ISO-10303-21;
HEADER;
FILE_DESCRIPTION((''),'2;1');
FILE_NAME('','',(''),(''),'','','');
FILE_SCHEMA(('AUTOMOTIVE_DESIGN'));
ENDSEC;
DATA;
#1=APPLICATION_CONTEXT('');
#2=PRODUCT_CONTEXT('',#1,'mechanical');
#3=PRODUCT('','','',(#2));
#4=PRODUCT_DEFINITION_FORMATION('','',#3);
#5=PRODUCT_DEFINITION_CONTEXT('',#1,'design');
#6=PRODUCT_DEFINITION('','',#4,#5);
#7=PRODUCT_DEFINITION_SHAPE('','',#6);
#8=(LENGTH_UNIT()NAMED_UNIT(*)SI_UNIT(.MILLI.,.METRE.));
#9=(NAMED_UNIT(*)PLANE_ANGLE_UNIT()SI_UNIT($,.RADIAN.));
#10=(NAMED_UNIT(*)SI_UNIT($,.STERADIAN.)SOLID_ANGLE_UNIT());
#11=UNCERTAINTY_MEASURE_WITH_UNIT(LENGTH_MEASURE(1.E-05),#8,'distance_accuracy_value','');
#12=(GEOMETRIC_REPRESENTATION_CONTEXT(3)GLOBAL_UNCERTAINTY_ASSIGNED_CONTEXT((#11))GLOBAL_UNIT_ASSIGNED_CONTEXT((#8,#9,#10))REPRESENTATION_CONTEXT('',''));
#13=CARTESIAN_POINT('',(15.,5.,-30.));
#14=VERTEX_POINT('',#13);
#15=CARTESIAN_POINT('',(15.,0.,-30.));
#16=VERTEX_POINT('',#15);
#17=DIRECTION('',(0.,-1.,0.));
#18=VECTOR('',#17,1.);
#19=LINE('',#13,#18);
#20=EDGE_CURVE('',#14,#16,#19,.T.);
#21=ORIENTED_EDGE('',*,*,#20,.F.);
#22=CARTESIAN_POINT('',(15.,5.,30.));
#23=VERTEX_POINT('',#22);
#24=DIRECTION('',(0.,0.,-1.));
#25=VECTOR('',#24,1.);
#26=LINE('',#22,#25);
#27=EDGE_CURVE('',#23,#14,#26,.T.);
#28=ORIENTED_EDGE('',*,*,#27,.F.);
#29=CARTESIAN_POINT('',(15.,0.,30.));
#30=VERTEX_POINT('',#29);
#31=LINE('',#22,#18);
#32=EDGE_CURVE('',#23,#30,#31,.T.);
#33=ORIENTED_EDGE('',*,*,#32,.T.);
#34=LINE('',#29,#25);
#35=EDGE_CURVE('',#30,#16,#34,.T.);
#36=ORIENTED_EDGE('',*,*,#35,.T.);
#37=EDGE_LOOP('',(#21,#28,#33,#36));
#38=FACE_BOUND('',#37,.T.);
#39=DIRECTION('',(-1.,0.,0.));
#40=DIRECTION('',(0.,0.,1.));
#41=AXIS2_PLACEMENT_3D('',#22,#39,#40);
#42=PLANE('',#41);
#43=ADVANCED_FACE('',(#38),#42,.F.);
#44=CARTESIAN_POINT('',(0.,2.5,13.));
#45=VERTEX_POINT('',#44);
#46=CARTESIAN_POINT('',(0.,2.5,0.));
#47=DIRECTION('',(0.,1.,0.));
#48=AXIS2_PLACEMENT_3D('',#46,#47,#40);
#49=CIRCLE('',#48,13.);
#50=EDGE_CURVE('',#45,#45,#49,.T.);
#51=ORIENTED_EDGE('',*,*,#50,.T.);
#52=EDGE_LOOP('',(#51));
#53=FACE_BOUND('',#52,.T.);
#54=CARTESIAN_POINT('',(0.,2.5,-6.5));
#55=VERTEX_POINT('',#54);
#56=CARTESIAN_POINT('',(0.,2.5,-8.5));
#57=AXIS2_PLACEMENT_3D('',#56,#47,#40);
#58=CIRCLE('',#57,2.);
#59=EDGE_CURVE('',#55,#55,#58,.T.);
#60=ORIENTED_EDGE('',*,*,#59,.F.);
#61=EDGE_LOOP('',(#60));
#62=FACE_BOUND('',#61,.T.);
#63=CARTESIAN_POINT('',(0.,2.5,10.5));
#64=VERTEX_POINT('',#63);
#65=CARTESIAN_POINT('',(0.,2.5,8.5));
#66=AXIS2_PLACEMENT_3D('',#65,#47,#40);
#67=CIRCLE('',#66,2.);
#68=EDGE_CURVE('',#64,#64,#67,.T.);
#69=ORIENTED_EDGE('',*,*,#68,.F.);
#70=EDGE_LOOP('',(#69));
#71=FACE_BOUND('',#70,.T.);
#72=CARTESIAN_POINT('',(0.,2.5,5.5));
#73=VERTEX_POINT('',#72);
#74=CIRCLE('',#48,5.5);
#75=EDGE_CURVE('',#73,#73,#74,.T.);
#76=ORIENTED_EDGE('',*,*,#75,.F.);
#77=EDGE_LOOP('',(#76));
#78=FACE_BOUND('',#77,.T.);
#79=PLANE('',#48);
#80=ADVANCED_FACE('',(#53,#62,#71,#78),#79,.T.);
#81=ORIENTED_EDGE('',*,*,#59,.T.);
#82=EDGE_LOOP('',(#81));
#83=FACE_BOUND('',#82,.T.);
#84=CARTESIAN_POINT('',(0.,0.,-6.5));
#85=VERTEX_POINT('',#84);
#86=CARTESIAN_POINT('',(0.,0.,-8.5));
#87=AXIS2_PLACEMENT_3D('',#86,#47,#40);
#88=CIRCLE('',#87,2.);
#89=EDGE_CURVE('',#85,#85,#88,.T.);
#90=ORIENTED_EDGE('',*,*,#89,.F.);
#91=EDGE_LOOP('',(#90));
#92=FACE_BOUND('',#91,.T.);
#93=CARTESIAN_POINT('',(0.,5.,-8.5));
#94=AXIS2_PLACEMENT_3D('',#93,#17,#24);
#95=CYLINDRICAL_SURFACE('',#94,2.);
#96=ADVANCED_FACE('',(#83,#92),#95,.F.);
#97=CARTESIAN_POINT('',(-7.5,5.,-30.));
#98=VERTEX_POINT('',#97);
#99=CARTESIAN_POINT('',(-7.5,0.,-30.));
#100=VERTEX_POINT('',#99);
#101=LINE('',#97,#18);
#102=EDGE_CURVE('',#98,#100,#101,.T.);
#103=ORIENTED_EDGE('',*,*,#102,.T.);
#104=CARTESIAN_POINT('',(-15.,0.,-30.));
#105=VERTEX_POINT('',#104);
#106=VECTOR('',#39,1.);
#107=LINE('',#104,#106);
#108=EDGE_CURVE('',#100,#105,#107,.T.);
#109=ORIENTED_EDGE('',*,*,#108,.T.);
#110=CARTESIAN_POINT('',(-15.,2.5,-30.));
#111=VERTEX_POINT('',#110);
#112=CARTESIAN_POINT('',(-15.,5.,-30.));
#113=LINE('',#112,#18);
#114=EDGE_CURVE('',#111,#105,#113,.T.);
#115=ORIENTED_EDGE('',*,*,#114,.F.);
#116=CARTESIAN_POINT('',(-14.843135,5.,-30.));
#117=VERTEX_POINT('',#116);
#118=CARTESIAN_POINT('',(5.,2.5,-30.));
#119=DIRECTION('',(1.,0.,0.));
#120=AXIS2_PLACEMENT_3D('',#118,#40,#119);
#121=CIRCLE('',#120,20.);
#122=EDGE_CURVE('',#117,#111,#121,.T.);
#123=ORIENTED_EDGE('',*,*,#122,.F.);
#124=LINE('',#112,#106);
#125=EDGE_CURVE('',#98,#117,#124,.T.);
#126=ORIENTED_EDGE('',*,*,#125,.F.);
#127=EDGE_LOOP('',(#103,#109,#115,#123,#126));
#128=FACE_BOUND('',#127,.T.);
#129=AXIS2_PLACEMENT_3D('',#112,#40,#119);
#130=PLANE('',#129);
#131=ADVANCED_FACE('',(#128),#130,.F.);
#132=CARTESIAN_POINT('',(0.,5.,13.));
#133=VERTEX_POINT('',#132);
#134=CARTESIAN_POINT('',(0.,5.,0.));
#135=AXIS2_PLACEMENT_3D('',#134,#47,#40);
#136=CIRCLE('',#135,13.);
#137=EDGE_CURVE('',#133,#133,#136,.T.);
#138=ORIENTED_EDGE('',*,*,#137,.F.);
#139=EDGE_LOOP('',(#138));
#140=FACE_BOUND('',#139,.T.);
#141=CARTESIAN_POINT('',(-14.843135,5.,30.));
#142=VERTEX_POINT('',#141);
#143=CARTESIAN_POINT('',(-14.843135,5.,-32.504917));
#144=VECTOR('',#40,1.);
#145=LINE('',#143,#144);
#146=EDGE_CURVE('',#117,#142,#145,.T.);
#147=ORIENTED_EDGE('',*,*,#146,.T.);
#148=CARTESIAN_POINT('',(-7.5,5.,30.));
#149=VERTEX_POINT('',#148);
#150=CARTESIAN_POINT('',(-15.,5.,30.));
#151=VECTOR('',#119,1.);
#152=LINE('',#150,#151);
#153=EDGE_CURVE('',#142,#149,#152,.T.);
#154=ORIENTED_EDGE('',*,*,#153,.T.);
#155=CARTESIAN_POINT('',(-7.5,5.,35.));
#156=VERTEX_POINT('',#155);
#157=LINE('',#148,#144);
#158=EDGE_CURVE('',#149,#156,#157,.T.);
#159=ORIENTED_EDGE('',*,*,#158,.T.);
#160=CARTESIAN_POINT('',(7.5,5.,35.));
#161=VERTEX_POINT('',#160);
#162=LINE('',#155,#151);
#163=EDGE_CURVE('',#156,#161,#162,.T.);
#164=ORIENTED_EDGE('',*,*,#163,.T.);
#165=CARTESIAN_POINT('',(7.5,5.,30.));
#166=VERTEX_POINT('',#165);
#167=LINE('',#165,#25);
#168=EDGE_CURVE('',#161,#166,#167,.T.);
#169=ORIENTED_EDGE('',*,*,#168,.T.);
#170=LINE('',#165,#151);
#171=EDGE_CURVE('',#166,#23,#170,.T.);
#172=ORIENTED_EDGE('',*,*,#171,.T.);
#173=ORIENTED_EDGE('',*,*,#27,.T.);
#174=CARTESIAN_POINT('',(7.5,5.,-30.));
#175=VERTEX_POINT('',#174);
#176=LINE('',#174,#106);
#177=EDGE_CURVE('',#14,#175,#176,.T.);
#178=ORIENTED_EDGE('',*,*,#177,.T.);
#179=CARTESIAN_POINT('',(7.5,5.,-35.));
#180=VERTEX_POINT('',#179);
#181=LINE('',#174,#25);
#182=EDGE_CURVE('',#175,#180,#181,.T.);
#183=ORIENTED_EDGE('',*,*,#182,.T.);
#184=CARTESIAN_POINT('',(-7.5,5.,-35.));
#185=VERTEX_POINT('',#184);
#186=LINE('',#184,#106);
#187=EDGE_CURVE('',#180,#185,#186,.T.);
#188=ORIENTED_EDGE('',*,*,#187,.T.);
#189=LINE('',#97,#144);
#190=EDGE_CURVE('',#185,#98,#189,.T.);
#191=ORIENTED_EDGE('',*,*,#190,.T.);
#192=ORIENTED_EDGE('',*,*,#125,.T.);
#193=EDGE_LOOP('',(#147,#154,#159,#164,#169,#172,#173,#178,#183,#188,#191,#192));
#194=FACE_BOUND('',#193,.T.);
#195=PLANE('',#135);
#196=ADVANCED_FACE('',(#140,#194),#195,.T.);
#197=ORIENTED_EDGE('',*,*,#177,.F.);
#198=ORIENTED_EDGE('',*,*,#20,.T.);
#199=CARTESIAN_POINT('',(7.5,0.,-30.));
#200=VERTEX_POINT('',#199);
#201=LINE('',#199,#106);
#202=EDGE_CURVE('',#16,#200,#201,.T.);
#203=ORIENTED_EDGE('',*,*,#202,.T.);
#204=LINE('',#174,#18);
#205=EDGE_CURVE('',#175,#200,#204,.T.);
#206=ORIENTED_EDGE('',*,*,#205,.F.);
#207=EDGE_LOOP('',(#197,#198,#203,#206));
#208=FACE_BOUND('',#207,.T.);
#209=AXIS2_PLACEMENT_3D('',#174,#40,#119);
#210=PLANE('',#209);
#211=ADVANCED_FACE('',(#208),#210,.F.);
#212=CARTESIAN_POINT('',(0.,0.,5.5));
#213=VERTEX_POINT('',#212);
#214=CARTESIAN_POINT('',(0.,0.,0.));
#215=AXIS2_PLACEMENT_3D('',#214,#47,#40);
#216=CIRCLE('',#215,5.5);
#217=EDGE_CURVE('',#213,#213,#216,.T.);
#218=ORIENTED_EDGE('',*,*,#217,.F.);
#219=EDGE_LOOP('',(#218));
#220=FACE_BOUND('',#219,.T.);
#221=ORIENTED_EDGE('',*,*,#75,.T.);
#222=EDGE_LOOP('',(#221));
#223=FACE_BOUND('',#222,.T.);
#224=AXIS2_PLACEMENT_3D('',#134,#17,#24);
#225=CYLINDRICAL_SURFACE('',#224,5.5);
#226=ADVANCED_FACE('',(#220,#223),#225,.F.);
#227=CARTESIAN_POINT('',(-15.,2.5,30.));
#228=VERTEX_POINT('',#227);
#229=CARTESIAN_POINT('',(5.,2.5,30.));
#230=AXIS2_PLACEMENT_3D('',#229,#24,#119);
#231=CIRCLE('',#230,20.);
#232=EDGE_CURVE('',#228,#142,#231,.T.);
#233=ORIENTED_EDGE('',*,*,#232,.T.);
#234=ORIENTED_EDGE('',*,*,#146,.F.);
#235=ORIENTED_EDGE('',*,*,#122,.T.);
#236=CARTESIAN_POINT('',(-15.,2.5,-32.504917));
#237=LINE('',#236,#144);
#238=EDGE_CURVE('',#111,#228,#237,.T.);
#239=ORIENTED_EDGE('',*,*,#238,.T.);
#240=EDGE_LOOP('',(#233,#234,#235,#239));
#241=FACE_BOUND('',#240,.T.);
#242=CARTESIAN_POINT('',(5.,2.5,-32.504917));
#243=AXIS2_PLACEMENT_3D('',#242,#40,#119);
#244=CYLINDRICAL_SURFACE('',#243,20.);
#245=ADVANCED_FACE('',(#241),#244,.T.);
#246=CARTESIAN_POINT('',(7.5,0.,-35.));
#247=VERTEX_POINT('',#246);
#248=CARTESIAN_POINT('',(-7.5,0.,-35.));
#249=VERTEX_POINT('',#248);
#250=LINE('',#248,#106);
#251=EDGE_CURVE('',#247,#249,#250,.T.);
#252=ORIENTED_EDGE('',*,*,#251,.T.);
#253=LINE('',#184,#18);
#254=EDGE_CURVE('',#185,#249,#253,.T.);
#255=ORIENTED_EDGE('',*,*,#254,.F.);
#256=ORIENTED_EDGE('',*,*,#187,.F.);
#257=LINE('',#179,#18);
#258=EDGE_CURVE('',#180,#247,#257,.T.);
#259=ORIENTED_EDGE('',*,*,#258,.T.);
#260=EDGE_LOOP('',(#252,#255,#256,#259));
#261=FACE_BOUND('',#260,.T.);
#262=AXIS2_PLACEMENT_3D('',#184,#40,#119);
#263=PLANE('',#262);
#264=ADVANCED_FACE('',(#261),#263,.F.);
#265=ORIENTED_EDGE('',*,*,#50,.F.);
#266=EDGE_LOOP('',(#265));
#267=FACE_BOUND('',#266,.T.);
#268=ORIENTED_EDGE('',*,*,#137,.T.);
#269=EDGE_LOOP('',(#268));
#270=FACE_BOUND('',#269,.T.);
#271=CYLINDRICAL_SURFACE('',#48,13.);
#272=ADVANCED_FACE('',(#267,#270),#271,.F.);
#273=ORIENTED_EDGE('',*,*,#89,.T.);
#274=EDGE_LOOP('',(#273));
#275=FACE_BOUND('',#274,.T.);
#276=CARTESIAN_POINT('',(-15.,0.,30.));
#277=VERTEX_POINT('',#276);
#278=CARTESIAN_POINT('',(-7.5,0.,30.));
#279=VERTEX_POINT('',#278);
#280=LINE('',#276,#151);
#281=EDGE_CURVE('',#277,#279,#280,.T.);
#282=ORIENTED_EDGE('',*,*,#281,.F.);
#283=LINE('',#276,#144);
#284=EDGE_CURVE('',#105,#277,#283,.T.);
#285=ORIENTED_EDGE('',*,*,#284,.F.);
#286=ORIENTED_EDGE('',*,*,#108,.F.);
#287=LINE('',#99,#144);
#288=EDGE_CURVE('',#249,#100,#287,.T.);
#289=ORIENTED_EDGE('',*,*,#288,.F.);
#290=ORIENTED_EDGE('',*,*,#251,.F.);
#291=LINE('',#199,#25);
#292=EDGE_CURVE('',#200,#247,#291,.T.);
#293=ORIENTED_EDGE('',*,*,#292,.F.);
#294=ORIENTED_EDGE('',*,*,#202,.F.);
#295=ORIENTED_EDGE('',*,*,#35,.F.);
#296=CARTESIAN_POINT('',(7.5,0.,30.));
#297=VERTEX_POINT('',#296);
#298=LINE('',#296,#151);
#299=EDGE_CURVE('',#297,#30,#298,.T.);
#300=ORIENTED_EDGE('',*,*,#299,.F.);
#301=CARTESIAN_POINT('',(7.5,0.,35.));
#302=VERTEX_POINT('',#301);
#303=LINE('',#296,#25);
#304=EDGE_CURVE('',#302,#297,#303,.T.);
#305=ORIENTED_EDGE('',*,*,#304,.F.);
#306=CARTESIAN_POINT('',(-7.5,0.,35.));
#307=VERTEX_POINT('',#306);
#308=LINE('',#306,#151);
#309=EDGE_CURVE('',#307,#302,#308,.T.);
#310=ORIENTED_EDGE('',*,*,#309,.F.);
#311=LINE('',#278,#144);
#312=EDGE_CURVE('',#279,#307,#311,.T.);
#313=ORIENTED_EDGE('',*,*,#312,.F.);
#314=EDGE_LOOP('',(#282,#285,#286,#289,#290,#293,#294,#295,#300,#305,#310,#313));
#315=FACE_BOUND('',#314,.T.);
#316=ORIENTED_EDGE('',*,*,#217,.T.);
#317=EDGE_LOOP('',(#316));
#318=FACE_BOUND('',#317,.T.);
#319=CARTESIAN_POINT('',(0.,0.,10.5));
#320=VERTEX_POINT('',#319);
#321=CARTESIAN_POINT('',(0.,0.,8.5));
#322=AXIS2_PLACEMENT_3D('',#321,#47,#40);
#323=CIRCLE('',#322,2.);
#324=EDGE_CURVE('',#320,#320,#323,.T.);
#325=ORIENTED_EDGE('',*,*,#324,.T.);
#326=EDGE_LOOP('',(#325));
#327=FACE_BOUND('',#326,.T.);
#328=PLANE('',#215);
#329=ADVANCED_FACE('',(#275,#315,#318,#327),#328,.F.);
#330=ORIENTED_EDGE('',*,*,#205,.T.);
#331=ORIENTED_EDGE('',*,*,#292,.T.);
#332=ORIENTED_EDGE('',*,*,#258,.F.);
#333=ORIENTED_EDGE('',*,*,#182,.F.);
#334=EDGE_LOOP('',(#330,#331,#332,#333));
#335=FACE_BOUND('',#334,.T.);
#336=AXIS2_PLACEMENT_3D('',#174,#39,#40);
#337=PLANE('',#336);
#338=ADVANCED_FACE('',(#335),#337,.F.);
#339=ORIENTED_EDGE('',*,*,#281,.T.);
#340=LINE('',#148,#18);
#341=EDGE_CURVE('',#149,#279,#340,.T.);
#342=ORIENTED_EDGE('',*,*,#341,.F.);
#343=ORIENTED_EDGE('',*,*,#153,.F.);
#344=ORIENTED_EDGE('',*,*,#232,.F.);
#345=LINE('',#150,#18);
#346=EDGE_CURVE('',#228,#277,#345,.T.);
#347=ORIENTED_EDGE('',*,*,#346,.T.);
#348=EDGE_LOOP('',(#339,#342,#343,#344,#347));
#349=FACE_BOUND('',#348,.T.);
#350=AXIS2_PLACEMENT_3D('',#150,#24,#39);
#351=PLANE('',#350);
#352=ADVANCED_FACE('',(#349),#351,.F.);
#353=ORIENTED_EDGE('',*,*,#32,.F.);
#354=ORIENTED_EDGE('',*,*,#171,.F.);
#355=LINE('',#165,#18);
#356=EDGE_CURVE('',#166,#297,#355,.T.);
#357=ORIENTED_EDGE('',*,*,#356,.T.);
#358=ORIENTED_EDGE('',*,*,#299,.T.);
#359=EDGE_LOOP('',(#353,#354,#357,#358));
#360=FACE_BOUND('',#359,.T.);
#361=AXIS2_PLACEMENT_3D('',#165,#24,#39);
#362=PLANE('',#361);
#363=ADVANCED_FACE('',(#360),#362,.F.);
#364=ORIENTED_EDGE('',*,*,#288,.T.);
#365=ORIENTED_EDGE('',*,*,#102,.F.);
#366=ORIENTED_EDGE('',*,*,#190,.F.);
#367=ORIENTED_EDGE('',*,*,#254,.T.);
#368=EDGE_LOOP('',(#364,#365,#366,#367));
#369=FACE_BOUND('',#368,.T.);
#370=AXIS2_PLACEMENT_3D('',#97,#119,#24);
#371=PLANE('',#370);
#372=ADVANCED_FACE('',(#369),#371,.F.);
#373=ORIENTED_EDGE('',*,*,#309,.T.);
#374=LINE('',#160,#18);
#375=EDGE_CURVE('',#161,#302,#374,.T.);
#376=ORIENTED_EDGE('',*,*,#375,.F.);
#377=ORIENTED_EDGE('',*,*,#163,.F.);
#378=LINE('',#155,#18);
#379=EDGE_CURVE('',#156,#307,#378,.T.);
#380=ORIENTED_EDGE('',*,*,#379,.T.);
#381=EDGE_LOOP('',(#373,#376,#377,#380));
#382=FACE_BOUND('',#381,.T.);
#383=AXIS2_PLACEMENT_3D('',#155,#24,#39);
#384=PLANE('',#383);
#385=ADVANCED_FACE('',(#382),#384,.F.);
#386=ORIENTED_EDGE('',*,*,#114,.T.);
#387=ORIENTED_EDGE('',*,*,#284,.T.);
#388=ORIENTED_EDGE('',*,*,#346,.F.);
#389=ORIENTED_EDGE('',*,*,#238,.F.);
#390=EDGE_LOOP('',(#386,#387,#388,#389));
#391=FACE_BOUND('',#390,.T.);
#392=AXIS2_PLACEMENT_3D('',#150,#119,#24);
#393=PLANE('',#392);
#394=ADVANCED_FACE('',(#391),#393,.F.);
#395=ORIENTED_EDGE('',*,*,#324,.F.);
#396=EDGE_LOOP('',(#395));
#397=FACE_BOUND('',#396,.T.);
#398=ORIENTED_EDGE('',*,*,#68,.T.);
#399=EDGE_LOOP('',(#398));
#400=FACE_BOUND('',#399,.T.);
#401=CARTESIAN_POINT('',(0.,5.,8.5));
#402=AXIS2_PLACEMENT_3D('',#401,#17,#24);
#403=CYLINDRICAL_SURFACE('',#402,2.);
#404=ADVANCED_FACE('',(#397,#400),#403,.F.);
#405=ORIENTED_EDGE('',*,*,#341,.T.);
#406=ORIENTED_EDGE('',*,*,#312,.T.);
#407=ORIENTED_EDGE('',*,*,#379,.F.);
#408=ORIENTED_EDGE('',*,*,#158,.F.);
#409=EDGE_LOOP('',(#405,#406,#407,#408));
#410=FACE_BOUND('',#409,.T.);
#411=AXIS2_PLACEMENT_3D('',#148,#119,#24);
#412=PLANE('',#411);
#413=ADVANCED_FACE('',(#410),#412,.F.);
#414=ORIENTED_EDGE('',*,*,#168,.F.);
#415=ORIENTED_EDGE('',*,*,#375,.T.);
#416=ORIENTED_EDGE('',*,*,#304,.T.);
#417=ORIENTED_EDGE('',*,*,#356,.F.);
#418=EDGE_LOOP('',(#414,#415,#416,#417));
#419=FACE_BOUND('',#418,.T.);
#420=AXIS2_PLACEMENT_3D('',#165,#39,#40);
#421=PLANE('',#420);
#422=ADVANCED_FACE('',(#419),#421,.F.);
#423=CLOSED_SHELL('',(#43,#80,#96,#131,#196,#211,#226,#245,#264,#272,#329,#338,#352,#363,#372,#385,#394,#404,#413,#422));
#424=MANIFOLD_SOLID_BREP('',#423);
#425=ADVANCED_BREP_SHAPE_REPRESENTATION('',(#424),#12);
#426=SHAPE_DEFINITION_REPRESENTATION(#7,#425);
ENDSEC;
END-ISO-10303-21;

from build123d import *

# Parameters (mm, degrees)
SKETCH1_R           = 5.5
SKETCH1_R_2         = 2
BOSS_EXTRUDE1_DEPTH = 5
SKETCH2_R           = 13
CUT_EXTRUDE1_DEPTH  = 2.5
CUT_EXTRUDE2_DEPTH  = 60


with BuildPart() as part:
    # Sketch1 → Boss-Extrude1 (new body)
    with BuildSketch(Plane(origin=(0, 0, 0), x_dir=(1, 0, 0), z_dir=(0, 1, 0))):
        Polygon((7.5, -30), (15, -30), (15, 30), (7.5, 30), (7.5, 35), (-7.5, 35), (-7.5, 30), (-15, 30), (-15, -30), (-7.5, -30), (-7.5, -35), (7.5, -35), align=None)
        with Locations(Location((0, 0, 0), (0, 0, 270))):
            Circle(SKETCH1_R, mode=Mode.SUBTRACT)
        with Locations(Location((0, 8.5, 0), (0, 0, 270))):
            Circle(SKETCH1_R_2, mode=Mode.SUBTRACT)
        with Locations(Location((0, -8.5, 0), (0, 0, 270))):
            Circle(SKETCH1_R_2, mode=Mode.SUBTRACT)
    extrude(amount=BOSS_EXTRUDE1_DEPTH)

    # Sketch2 → Cut-Extrude1 (cut)
    with BuildSketch(Plane(origin=(0, 5, 0), x_dir=(1, 0, 0), z_dir=(0, 1, 0))):
        with Locations(Location((0, 0, 0), (0, 0, 270))):
            Circle(SKETCH2_R)
    extrude(amount=-CUT_EXTRUDE1_DEPTH, mode=Mode.SUBTRACT)

    # Sketch3 → Cut-Extrude2 (cut)
    with BuildSketch(Plane.XY.offset(30)):
        with BuildLine():
            Line((-15, 5), (-15, 2.5))
            ThreePointArc((-15, 2.5), (-14.960745185, 3.752458251), (-14.843134833, 5))
            Line((-14.843134833, 5), (-15, 5))
        make_face()
    extrude(amount=-CUT_EXTRUDE2_DEPTH, mode=Mode.SUBTRACT)


solid = part.part
